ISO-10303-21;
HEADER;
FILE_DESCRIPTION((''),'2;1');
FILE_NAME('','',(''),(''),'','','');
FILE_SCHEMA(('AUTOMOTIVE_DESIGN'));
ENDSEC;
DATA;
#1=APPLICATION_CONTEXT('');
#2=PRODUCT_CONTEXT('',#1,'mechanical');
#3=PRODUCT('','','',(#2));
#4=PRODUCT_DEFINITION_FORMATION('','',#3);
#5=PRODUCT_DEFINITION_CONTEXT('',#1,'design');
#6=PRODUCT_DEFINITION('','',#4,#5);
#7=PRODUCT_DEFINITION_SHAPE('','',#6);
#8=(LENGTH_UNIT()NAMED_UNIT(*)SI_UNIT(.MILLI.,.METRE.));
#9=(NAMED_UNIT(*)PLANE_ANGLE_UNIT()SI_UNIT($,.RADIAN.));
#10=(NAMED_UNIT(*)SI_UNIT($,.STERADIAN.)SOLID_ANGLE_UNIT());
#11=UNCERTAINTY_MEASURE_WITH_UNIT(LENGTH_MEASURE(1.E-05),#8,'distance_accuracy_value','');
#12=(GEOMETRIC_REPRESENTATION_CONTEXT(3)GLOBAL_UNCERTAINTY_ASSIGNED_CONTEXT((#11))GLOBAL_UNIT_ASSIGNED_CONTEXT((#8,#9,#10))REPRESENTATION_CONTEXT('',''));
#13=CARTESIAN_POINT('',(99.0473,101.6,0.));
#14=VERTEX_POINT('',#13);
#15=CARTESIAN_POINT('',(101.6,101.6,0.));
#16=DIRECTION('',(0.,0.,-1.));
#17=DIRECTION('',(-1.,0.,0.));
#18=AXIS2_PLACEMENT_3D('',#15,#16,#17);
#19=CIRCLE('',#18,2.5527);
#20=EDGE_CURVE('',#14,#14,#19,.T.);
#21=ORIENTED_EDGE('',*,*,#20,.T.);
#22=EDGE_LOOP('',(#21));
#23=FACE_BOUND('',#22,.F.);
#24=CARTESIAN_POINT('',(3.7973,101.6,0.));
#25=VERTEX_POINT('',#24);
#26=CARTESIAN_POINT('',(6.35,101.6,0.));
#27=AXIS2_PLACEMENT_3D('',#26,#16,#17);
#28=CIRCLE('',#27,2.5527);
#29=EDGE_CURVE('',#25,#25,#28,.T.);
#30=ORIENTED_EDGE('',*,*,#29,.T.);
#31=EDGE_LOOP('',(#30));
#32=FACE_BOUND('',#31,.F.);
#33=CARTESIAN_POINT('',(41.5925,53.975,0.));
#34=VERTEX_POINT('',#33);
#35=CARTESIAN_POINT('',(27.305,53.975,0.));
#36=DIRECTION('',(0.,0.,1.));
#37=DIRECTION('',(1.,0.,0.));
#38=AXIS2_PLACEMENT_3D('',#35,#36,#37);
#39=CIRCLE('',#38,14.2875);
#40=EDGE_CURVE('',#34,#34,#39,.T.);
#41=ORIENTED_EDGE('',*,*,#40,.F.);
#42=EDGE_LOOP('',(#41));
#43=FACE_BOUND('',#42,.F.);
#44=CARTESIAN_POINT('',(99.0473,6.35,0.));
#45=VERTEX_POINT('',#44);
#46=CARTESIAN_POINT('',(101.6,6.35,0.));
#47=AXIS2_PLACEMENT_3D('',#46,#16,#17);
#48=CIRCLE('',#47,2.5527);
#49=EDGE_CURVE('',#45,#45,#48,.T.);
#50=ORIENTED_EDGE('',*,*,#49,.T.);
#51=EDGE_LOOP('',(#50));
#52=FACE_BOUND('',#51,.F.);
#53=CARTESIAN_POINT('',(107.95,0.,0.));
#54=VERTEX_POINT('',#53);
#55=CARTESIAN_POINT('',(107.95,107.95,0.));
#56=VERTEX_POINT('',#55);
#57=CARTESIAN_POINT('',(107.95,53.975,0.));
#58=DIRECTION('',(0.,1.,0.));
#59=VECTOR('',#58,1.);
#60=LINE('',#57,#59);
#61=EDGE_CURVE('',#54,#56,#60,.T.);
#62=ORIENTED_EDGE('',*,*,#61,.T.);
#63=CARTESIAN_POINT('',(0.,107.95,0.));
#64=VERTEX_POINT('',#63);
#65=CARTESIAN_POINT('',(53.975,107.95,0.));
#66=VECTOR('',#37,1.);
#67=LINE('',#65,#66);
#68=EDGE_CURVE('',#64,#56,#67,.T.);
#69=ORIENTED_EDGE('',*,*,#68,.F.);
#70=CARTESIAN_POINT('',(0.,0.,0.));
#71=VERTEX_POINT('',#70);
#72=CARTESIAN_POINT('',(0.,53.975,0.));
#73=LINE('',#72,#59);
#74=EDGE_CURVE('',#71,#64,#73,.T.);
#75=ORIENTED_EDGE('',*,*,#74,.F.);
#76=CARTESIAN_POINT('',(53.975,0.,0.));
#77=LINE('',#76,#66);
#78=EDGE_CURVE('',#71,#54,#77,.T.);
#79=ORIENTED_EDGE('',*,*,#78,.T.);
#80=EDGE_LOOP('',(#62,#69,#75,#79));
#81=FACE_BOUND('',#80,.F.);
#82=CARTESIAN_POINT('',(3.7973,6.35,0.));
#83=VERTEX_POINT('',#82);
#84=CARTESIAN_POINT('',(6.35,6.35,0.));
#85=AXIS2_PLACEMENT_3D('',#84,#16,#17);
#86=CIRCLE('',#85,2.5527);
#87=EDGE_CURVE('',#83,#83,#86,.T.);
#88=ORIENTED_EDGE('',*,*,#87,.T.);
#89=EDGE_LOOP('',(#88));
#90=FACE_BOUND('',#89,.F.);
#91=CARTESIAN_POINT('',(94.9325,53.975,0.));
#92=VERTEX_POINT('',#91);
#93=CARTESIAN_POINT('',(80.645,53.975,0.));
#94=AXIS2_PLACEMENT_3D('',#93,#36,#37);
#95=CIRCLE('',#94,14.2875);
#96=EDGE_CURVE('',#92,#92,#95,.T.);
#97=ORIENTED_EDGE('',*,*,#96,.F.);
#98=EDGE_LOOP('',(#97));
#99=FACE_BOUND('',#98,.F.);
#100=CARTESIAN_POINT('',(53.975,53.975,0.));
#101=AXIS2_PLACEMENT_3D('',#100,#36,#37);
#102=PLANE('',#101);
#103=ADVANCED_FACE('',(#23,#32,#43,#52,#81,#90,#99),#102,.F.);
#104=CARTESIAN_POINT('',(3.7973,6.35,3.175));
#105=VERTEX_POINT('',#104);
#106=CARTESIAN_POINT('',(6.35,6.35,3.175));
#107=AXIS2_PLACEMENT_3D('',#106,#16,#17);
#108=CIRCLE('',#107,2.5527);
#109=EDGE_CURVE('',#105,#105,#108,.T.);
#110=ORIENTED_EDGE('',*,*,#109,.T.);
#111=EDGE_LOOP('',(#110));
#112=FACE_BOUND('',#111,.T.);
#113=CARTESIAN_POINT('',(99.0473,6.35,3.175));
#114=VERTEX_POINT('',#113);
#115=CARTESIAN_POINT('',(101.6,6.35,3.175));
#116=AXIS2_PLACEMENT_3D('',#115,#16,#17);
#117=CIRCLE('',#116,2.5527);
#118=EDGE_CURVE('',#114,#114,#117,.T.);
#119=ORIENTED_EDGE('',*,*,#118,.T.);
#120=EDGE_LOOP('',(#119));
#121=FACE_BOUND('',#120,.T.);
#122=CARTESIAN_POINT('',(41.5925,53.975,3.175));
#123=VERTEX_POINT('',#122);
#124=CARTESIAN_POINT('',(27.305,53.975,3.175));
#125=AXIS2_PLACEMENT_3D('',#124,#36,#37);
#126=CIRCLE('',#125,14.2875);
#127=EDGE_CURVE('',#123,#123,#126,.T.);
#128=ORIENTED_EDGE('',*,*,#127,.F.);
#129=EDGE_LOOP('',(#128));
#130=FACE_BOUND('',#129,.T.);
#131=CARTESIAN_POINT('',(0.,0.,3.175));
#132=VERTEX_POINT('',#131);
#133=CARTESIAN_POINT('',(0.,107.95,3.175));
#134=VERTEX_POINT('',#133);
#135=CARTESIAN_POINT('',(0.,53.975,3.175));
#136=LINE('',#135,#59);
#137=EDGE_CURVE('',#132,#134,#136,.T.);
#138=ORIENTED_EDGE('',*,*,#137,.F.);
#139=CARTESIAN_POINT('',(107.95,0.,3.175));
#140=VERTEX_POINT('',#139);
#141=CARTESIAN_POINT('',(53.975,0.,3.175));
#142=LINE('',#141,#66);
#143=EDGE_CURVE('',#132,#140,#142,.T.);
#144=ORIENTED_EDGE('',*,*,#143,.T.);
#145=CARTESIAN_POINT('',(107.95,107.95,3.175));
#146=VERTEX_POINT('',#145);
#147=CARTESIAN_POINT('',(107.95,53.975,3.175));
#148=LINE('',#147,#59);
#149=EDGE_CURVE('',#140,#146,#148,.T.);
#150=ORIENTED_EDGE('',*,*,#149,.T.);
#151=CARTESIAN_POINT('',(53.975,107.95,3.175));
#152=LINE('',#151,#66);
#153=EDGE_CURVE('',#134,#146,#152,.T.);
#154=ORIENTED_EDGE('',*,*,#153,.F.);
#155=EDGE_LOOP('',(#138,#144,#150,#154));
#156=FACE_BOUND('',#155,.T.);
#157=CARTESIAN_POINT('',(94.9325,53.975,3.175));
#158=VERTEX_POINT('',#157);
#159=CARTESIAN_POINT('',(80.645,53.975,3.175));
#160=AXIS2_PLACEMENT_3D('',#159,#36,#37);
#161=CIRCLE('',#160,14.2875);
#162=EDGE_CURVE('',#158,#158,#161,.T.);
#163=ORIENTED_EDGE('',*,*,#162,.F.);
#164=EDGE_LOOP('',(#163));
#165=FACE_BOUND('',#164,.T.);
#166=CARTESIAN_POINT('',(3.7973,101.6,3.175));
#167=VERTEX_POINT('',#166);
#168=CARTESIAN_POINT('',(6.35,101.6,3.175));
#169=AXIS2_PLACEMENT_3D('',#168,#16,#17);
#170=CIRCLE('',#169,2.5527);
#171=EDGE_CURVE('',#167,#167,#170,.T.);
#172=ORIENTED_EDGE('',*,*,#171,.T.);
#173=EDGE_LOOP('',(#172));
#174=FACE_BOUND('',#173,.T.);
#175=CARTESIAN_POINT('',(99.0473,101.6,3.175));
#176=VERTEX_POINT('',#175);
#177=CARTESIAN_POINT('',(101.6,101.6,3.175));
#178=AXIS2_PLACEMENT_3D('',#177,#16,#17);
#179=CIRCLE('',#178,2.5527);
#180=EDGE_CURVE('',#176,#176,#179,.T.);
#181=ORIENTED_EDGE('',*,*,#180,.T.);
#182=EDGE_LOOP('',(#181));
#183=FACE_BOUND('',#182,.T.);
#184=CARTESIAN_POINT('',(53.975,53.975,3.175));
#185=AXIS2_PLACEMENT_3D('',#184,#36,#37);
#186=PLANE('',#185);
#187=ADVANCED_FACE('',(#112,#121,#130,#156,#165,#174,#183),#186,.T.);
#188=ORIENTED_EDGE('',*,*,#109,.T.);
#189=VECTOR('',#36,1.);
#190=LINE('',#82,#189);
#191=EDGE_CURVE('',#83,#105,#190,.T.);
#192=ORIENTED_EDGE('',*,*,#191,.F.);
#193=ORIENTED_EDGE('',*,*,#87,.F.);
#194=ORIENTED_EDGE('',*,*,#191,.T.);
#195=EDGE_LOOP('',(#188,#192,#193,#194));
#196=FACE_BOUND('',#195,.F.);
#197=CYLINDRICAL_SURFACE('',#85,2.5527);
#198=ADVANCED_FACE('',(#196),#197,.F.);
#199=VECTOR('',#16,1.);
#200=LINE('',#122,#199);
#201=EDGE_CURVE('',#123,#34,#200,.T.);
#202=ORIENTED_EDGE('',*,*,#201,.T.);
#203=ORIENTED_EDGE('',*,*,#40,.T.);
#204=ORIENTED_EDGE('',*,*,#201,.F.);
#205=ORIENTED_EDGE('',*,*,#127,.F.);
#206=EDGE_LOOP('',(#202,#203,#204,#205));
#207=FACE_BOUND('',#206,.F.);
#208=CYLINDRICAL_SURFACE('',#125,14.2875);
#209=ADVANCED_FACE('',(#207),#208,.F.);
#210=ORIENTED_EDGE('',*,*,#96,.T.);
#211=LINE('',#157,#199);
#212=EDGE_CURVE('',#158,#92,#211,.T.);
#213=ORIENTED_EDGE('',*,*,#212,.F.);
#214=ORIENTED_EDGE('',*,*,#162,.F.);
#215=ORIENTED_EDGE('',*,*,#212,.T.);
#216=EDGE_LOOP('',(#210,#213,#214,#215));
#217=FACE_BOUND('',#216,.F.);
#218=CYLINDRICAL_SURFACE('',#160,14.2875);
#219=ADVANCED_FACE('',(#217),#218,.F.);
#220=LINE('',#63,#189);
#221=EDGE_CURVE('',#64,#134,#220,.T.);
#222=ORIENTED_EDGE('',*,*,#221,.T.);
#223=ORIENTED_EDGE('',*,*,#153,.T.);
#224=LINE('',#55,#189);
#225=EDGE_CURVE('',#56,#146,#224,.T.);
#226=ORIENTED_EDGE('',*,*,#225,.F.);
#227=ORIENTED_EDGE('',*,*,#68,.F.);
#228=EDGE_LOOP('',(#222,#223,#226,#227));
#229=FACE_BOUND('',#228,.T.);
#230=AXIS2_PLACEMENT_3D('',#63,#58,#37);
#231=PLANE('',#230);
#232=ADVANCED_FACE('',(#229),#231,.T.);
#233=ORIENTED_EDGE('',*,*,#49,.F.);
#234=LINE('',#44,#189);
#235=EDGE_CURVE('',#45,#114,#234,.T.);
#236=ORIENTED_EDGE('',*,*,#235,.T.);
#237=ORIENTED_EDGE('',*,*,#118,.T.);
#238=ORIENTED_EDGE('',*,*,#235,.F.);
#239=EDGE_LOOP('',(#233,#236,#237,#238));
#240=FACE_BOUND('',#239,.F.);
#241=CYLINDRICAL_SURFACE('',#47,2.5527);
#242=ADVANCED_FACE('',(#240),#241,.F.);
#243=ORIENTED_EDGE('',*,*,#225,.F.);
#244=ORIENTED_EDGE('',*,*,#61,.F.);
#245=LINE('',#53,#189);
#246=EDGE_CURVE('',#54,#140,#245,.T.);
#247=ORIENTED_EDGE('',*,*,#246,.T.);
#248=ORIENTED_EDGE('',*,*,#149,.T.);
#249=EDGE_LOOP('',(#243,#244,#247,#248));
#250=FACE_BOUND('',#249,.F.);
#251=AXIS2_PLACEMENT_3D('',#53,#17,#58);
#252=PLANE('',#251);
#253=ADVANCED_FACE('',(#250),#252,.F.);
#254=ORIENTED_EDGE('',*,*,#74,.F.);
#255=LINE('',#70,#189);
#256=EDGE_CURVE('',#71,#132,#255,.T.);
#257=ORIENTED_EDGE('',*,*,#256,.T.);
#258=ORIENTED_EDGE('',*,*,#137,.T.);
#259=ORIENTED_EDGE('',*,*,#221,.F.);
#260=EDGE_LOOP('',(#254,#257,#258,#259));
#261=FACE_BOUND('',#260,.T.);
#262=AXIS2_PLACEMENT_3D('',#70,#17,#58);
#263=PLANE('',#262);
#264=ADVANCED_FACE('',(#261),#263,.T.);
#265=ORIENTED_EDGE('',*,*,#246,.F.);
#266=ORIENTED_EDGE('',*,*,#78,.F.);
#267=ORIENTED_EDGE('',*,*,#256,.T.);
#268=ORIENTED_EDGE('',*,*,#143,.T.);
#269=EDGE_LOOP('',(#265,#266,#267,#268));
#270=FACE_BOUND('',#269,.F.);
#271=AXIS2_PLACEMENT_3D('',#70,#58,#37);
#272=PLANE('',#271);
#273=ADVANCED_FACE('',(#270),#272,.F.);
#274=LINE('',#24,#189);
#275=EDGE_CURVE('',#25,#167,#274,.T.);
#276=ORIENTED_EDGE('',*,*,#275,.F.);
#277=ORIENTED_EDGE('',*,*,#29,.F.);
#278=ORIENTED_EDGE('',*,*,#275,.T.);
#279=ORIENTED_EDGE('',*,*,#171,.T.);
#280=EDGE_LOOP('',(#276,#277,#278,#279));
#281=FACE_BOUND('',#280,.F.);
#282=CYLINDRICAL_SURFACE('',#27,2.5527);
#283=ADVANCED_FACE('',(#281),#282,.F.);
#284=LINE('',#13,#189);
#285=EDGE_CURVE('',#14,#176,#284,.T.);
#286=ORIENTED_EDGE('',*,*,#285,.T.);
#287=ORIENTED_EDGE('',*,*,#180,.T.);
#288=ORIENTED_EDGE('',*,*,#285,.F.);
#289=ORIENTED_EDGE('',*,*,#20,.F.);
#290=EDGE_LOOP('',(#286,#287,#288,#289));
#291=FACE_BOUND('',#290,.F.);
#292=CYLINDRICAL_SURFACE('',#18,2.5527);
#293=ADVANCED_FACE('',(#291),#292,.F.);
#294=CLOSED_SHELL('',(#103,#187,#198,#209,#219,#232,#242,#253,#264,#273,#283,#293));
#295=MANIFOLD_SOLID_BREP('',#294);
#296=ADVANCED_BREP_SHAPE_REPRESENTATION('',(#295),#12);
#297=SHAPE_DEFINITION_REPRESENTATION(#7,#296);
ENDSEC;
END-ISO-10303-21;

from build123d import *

# Parameters (mm, degrees)
SKETCH1_W           = 107.95
SKETCH1_H           = 107.95
BOSS_EXTRUDE1_DEPTH = 3.175
SKETCH2_R           = 2.5527
CUT_EXTRUDE1_DEPTH  = 3.175
SKETCH3_R           = 14.2875
CUT_EXTRUDE2_DEPTH  = 3.175


with BuildPart() as part:
    # Sketch1 → Boss-Extrude1 (new body)
    with BuildSketch(Plane.XY):
        with Locations((53.975, 53.975)):
            Rectangle(SKETCH1_W, SKETCH1_H)
    extrude(amount=BOSS_EXTRUDE1_DEPTH)

    # Sketch2 → Cut-Extrude1 (cut)
    with BuildSketch(Plane(origin=(0, 0, 0), x_dir=(-1, 0, 0), z_dir=(0, 0, -1))):
        with Locations((-6.35, 101.6)):
            Circle(SKETCH2_R)
        with Locations((-101.6, 101.6)):
            Circle(SKETCH2_R)
        with Locations((-101.6, 6.35)):
            Circle(SKETCH2_R)
        with Locations((-6.35, 6.35)):
            Circle(SKETCH2_R)
    extrude(amount=-CUT_EXTRUDE1_DEPTH, mode=Mode.SUBTRACT)

    # Sketch3 → Cut-Extrude2 (cut)
    with BuildSketch(Plane.XY.offset(3.175)):
        with Locations((27.305, 53.975)):
            Circle(SKETCH3_R)
        with Locations((80.645, 53.975)):
            Circle(SKETCH3_R)
    extrude(amount=-CUT_EXTRUDE2_DEPTH, mode=Mode.SUBTRACT)


solid = part.part
